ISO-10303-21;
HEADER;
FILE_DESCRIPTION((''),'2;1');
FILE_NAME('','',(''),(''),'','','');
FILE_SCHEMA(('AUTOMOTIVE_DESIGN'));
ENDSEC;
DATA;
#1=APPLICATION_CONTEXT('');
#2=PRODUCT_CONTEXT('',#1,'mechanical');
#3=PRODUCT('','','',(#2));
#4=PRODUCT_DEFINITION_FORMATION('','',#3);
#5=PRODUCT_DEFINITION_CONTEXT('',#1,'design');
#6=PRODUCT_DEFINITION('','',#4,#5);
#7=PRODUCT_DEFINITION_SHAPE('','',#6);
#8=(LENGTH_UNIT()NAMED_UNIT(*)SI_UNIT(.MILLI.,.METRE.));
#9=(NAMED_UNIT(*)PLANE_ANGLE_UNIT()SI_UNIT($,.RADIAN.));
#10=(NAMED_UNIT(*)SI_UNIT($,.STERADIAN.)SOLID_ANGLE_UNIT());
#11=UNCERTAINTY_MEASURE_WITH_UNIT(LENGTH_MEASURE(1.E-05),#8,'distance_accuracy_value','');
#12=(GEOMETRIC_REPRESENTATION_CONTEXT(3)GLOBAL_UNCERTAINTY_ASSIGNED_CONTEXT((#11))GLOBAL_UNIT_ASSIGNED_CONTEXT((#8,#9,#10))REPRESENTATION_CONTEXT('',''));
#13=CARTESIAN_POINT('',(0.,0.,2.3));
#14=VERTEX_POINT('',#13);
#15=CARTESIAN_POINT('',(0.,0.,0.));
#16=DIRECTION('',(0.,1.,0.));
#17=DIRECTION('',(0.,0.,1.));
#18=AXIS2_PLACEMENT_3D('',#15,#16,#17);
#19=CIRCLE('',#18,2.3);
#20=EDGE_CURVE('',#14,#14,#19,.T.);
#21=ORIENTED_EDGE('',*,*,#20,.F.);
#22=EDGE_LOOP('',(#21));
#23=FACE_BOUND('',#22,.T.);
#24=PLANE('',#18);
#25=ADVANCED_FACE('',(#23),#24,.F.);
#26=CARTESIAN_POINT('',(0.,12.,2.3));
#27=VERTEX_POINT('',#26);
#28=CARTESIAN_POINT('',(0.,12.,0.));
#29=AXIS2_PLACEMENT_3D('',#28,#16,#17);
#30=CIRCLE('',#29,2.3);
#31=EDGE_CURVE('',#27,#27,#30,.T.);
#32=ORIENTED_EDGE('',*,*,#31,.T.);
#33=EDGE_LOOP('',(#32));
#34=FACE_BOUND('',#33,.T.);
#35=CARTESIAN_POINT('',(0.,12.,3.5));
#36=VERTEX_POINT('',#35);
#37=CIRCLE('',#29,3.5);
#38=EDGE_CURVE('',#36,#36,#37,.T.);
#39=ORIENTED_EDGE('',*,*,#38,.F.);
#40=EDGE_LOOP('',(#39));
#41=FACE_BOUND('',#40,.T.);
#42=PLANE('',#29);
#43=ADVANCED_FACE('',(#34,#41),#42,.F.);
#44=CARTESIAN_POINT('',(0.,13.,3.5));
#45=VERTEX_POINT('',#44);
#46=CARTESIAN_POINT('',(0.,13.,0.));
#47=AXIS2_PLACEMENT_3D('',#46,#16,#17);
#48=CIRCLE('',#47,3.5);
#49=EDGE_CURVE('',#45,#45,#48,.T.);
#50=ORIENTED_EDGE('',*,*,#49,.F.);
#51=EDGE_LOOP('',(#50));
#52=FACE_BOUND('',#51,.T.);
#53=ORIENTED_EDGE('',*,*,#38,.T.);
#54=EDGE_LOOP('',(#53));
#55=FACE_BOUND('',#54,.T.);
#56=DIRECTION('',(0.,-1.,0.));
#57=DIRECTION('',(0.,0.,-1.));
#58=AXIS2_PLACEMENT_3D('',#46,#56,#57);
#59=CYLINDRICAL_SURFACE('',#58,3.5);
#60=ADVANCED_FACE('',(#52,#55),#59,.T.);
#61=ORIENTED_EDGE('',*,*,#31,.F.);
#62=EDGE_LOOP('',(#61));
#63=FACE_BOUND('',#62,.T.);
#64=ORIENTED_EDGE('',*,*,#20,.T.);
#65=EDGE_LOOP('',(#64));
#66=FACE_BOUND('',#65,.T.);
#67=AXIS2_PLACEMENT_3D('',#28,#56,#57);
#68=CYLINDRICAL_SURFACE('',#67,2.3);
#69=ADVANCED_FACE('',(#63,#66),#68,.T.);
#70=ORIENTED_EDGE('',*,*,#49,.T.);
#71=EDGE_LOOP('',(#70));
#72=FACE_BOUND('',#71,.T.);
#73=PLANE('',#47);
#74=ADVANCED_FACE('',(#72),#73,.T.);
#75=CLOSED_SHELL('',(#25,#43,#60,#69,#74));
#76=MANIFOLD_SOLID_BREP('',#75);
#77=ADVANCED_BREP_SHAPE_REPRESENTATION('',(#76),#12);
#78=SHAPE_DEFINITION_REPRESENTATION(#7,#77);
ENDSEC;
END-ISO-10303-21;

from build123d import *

# Parameters (mm, degrees)
SKETCH1_R       = 2.3
MAIN_BODY_DEPTH = 12
SKETCH2_R       = 3.5
PIN_HEAD_DEPTH  = 1


with BuildPart() as part:
    # Sketch1 → main_body (new body)
    with BuildSketch(Plane(origin=(0, 0, 0), x_dir=(1, 0, 0), z_dir=(0, 1, 0))):
        Circle(SKETCH1_R)
    extrude(amount=MAIN_BODY_DEPTH)

    # Sketch2 → pin_head (add)
    with BuildSketch(Plane(origin=(0, 12, 0), x_dir=(1, 0, 0), z_dir=(0, 1, 0))):
        Circle(SKETCH2_R)
    extrude(amount=PIN_HEAD_DEPTH)


solid = part.part
